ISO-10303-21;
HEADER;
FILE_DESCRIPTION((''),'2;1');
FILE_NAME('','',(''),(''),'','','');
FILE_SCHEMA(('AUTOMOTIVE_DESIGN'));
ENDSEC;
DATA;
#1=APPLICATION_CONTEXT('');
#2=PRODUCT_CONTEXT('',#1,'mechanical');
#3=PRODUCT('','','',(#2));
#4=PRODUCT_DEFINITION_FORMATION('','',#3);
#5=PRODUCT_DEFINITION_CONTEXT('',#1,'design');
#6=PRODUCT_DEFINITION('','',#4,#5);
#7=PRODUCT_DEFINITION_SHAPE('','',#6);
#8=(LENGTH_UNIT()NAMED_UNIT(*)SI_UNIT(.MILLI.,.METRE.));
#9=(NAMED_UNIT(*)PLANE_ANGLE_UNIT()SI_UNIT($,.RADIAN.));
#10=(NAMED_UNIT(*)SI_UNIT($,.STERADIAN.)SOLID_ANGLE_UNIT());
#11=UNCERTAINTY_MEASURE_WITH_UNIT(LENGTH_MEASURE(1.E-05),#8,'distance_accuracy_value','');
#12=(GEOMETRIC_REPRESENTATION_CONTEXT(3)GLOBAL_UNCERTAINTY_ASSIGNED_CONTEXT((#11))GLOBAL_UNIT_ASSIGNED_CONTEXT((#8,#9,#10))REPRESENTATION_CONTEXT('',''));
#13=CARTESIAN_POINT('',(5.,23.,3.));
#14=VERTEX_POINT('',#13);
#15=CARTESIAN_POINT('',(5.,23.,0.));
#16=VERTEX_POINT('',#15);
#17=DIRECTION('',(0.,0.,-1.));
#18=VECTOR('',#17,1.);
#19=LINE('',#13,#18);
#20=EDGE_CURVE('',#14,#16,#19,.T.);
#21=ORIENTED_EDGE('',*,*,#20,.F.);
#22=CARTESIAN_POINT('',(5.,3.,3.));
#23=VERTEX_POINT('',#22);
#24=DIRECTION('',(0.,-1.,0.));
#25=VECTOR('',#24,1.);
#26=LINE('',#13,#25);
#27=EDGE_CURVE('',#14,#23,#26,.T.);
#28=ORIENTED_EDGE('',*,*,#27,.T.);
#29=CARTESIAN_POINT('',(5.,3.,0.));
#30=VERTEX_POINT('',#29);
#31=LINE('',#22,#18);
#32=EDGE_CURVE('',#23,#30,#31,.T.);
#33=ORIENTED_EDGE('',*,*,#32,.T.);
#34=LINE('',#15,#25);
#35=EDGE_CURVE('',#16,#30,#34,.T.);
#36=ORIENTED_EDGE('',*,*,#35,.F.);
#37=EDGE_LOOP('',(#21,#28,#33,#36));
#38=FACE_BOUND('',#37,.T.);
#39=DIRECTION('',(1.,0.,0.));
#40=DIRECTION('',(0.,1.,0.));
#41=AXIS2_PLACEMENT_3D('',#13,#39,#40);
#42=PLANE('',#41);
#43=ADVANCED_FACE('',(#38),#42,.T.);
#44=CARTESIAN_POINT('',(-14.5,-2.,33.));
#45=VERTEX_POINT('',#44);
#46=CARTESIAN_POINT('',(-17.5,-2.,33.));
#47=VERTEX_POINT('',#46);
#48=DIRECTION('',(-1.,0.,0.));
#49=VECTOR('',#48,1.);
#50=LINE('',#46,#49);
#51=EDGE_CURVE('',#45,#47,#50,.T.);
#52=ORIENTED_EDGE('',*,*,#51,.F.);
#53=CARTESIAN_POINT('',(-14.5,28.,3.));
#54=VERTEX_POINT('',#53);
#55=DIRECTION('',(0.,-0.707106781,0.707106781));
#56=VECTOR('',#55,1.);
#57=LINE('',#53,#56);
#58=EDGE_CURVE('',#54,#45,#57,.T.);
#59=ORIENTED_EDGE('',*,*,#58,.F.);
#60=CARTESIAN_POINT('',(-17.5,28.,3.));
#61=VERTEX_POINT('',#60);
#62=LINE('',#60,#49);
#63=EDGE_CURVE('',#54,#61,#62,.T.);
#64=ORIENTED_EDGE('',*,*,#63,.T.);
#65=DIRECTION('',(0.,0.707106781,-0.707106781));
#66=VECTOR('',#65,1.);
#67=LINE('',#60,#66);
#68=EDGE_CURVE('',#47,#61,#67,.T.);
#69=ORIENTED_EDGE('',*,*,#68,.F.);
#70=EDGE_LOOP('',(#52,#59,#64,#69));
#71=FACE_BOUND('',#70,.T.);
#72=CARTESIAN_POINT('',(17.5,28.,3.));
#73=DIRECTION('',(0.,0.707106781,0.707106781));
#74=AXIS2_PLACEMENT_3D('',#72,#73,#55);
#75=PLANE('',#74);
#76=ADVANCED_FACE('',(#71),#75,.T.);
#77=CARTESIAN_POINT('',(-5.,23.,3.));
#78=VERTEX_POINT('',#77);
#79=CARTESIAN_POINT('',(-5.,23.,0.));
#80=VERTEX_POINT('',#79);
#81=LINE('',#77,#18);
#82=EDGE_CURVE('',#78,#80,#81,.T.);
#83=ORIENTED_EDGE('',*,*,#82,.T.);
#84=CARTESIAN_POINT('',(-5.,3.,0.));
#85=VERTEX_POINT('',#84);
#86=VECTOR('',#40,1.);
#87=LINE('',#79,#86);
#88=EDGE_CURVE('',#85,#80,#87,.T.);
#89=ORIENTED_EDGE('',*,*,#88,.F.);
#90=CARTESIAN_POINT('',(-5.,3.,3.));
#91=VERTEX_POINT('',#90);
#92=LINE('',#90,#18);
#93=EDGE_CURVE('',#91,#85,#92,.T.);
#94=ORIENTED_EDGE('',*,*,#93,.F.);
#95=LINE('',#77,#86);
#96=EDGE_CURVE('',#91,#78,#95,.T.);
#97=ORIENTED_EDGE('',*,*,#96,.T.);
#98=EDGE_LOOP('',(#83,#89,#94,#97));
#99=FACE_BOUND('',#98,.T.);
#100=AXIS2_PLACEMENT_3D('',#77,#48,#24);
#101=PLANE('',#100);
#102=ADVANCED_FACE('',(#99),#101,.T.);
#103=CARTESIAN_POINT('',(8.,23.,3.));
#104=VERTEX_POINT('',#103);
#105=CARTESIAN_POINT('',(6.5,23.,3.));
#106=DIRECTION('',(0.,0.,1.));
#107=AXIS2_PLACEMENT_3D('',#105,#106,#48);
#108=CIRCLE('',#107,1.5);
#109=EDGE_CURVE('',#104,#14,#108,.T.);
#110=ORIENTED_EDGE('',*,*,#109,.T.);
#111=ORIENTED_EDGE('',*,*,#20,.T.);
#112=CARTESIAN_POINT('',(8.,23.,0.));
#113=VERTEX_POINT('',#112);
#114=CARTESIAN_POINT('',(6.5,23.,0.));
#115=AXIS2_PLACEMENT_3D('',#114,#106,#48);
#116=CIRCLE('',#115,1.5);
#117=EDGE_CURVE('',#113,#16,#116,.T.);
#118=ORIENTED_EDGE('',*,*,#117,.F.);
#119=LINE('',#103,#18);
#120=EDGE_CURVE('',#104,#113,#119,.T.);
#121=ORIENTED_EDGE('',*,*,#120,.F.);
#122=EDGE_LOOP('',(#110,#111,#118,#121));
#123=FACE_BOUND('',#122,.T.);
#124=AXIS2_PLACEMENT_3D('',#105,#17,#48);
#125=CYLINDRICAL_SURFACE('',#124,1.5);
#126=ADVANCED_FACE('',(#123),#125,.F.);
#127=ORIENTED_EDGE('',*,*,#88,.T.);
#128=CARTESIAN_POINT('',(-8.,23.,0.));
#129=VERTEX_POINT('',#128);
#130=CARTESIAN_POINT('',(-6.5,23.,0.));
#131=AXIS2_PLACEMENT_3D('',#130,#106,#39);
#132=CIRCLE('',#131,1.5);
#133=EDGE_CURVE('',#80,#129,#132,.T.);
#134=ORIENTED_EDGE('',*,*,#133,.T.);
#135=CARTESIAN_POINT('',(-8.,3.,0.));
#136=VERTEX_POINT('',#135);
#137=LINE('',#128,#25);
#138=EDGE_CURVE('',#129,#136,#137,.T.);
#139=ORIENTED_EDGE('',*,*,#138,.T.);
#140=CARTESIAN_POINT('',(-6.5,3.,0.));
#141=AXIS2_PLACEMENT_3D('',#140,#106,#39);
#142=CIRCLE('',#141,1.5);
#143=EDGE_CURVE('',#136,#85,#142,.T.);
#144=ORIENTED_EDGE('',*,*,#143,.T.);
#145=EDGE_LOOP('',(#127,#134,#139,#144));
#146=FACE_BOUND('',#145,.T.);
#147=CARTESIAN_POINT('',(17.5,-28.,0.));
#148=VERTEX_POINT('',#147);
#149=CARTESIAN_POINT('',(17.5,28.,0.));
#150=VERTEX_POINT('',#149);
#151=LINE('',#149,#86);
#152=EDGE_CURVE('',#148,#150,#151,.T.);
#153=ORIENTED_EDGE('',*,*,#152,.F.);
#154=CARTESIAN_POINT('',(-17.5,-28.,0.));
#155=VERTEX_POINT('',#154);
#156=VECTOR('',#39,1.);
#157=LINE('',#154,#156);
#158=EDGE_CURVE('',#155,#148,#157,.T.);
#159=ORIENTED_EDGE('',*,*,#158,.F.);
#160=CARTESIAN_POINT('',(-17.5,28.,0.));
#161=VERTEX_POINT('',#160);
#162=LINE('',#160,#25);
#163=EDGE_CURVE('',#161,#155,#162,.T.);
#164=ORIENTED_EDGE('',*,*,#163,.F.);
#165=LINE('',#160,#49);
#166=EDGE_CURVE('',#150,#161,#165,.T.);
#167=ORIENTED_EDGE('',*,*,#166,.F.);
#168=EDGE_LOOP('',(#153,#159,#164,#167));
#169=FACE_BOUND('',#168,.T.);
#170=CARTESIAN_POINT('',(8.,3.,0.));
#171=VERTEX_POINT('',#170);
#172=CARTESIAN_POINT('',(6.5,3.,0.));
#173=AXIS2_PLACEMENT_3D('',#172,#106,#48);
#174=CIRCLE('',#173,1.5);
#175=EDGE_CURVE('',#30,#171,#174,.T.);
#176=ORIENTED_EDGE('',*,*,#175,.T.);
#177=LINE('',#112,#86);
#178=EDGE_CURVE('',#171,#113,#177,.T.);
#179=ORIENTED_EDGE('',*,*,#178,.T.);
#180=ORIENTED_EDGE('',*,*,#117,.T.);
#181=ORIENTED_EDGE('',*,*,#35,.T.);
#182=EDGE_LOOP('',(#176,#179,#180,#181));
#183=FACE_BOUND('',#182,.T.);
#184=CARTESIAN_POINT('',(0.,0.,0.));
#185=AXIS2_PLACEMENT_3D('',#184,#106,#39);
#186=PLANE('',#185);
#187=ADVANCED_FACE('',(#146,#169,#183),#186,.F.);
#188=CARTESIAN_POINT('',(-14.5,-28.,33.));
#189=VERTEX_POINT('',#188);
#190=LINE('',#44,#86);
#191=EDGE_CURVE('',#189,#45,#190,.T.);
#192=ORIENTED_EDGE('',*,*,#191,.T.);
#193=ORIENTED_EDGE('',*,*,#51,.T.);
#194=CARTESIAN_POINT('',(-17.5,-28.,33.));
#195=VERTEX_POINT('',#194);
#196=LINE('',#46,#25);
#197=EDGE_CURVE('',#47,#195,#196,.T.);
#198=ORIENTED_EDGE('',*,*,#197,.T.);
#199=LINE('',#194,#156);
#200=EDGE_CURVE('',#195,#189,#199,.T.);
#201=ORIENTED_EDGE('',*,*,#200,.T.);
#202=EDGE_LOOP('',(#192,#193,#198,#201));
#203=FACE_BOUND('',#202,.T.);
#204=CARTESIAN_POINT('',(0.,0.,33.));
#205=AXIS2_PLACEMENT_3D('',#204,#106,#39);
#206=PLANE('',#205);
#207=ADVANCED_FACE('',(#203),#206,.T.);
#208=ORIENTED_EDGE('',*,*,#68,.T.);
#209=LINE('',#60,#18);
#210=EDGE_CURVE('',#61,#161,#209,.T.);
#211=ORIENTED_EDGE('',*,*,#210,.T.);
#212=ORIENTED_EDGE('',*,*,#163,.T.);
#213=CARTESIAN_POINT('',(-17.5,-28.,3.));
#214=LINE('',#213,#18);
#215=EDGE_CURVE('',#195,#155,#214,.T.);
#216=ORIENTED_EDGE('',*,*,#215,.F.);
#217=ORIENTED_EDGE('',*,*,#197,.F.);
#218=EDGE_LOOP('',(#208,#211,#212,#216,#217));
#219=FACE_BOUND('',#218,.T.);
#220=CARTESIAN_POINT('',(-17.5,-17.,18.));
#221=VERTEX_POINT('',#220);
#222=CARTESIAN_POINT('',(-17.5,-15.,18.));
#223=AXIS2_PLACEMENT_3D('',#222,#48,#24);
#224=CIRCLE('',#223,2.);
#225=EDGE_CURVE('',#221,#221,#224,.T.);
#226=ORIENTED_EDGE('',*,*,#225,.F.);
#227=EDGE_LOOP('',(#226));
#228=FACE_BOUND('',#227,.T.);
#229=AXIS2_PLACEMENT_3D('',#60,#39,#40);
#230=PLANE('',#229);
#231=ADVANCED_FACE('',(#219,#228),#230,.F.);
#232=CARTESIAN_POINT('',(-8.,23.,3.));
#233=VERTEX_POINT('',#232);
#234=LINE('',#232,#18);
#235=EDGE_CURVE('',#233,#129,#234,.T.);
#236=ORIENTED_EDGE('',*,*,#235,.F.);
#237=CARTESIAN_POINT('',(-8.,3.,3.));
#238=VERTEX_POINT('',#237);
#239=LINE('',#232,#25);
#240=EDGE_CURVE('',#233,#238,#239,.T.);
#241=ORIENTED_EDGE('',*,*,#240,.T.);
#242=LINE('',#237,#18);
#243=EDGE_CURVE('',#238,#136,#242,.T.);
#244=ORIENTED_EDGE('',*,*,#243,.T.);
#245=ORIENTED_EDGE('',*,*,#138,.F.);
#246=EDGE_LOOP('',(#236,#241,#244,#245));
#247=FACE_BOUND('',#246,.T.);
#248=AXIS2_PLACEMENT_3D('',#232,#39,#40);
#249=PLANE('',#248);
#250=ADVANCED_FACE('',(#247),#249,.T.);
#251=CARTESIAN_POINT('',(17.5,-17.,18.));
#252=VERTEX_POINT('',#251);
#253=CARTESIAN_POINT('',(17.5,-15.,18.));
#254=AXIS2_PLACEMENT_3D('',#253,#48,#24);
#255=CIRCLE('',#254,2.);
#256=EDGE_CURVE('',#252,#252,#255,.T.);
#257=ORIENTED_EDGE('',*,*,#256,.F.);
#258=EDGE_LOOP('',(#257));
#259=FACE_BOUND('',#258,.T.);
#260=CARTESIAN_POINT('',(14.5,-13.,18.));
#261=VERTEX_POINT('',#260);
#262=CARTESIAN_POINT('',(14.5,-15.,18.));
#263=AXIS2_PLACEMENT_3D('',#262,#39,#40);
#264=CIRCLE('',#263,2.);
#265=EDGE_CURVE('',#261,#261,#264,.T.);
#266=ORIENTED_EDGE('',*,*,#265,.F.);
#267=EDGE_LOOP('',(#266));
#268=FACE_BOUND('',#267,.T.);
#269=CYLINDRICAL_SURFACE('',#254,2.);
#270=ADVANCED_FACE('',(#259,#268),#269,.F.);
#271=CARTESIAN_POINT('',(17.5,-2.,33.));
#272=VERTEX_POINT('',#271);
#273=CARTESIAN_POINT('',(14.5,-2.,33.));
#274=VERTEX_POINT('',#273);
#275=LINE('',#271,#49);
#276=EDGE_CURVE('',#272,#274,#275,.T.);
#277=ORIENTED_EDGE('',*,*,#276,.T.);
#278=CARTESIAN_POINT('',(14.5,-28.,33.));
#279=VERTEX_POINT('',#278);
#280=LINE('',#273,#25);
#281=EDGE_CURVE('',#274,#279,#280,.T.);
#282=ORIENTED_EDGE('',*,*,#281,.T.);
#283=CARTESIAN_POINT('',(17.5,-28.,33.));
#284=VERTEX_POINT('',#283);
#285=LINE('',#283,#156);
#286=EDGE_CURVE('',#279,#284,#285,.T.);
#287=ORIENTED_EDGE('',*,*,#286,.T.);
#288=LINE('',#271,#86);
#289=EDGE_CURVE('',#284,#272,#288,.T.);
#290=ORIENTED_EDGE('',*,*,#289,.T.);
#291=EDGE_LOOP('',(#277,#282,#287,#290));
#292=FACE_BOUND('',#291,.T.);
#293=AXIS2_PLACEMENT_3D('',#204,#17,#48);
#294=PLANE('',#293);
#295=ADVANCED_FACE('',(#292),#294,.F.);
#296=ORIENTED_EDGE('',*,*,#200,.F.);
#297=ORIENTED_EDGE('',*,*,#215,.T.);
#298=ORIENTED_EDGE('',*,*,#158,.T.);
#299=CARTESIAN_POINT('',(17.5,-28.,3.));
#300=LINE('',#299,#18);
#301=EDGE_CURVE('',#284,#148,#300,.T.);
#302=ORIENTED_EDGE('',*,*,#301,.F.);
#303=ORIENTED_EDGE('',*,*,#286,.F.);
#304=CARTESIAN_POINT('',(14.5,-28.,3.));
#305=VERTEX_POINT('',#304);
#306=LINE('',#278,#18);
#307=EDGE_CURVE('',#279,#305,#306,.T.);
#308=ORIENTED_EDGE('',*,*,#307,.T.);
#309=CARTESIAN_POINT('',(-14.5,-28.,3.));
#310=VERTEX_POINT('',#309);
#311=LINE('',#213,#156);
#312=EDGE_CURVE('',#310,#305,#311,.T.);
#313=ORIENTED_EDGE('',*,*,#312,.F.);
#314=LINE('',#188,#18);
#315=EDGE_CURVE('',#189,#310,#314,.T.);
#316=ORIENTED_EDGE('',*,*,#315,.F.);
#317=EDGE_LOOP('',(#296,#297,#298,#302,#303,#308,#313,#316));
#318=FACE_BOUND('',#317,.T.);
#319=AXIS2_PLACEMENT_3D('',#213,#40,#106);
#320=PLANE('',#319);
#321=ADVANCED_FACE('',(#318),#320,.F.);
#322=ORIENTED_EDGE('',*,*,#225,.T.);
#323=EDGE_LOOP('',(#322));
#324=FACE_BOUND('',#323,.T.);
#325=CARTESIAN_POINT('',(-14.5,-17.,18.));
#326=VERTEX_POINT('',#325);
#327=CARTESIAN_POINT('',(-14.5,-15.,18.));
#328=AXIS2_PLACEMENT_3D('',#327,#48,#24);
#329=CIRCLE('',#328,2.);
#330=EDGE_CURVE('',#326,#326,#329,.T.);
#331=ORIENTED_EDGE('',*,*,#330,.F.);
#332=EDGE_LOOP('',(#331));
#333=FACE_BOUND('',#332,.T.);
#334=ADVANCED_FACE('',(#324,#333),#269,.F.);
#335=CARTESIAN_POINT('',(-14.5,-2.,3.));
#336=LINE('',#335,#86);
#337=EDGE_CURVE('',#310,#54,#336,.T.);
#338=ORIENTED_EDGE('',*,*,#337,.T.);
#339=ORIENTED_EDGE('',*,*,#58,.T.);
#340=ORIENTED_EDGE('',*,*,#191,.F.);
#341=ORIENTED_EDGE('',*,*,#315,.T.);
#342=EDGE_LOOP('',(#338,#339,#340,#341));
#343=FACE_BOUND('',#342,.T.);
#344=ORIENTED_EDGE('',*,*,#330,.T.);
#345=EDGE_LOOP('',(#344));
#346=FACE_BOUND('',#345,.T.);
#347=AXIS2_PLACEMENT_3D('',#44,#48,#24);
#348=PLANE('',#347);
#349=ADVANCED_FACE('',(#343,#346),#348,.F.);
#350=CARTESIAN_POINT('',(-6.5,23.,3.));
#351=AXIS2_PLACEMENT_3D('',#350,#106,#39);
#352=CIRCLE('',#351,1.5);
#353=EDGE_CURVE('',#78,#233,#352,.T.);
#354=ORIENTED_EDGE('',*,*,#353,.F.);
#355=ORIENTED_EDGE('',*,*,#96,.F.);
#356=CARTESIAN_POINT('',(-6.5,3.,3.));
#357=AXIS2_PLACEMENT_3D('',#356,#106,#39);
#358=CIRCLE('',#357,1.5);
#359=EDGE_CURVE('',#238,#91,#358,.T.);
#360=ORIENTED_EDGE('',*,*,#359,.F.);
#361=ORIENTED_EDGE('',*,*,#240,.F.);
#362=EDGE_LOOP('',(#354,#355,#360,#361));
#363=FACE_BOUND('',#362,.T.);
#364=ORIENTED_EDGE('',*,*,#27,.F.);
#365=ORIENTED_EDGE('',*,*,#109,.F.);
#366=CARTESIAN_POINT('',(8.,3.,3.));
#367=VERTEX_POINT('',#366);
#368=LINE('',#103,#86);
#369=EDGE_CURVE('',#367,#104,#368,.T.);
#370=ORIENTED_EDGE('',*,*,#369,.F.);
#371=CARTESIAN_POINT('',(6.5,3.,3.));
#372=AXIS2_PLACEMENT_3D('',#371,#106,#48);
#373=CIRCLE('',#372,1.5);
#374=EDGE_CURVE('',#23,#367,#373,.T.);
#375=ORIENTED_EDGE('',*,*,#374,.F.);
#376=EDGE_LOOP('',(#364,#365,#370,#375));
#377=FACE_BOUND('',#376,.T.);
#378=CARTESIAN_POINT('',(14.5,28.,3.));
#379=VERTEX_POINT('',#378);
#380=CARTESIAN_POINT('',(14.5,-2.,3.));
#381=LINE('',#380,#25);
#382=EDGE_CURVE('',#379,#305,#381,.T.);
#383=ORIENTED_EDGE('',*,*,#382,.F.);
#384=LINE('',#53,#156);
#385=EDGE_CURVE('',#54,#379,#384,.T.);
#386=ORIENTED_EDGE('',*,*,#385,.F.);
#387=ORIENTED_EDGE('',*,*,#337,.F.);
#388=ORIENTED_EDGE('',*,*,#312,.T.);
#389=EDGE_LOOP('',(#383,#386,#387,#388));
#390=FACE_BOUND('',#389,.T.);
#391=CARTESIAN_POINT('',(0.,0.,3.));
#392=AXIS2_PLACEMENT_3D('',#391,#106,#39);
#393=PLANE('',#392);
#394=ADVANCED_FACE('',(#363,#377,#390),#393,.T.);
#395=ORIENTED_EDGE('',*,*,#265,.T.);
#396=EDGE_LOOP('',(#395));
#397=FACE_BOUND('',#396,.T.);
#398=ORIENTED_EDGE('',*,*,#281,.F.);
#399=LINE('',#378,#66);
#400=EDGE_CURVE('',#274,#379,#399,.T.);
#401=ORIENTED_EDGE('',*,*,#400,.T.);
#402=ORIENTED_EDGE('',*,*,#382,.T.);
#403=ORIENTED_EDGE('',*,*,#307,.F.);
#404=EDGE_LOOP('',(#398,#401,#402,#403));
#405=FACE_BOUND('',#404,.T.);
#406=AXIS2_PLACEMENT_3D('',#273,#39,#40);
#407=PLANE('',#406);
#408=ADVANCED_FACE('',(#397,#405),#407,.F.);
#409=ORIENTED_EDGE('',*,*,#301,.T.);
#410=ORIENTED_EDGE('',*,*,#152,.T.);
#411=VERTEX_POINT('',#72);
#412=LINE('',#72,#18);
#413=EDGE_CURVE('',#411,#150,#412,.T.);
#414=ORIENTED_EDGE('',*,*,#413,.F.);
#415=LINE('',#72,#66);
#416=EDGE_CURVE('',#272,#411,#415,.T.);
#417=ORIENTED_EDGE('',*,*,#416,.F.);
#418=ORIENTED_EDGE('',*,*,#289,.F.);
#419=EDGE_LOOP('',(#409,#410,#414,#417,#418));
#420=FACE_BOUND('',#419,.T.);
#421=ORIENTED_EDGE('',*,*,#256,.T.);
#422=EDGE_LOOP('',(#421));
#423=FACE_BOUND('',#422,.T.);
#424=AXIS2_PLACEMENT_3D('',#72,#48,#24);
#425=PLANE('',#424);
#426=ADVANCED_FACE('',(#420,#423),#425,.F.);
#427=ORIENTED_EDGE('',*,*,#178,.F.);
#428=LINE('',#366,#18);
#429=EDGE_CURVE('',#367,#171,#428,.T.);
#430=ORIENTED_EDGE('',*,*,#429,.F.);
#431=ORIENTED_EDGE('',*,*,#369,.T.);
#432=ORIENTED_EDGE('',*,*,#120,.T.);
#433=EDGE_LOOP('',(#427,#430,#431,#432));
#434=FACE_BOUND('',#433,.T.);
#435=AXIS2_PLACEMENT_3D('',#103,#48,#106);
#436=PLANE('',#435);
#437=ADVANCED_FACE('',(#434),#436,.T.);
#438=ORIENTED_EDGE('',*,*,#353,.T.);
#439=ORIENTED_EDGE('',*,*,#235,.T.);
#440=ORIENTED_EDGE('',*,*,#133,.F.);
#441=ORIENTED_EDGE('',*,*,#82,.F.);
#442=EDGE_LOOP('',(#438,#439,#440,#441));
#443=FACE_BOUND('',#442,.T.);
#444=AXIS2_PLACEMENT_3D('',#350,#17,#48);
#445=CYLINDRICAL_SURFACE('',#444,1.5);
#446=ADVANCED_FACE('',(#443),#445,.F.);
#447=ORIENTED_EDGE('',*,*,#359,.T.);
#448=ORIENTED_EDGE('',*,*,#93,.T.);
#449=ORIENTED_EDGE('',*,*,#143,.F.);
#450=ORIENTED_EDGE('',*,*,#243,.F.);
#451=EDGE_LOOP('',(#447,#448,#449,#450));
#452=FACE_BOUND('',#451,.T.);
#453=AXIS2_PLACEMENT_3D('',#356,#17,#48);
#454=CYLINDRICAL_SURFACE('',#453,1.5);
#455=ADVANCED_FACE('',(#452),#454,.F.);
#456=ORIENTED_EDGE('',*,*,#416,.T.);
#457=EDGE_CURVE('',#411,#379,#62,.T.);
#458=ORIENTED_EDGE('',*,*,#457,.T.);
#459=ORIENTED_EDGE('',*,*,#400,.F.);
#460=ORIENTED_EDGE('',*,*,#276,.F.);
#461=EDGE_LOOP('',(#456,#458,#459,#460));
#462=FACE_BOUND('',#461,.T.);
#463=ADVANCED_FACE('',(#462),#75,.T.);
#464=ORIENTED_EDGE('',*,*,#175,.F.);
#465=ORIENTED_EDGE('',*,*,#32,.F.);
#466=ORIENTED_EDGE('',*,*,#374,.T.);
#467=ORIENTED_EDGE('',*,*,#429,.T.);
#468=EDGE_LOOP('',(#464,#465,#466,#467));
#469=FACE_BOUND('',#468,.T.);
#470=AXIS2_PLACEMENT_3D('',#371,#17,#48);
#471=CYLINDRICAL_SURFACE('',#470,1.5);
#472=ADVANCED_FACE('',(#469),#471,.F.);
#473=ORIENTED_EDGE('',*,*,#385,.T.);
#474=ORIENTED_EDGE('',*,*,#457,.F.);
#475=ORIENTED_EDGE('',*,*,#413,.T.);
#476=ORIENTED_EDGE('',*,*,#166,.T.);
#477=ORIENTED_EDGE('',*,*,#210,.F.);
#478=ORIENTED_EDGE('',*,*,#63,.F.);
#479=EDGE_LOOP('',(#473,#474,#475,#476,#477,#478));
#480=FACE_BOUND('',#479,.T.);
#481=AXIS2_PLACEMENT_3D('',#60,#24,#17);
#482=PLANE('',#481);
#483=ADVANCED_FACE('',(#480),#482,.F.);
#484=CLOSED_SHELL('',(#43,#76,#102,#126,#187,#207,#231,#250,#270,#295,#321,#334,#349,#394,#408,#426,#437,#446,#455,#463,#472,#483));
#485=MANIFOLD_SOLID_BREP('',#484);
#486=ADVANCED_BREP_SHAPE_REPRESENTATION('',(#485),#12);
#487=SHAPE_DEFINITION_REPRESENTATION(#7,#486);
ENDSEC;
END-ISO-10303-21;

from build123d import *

# Parameters (mm, degrees)
SKETCH1_W               = 35
SKETCH1_H               = 56
BOSS_EXTRUDE1_DEPTH     = 3
SKETCH2_W               = 3
SKETCH2_H               = 26
BOSS_EXTRUDE2_DEPTH     = 30
SKETCH4_R               = 2
CUT_EXTRUDE1_DEPTH      = 33
CUT_EXTRUDE1_DEPTH_BACK = 4
BOSS_EXTRUDE3_DEPTH     = 35
SKETCH6_W               = 29
SKETCH6_H               = 30
CUT_EXTRUDE2_DEPTH      = 30


with BuildPart() as part:
    # Sketch1 → Boss-Extrude1 (new body)
    with BuildSketch(Plane.XY):
        Rectangle(SKETCH1_W, SKETCH1_H)
        with BuildLine():
            Line((-5, 23), (-5, 3))
            ThreePointArc((-5, 3), (-6.5, 1.5), (-8, 3))
            Line((-8, 3), (-8, 23))
            ThreePointArc((-8, 23), (-6.5, 24.5), (-5, 23))
        make_face(mode=Mode.SUBTRACT)
        with BuildLine():
            Line((5, 23), (5, 3))
            ThreePointArc((5, 3), (6.5, 1.5), (8, 3))
            Line((8, 3), (8, 23))
            ThreePointArc((8, 23), (6.5, 24.5), (5, 23))
        make_face(mode=Mode.SUBTRACT)
    extrude(amount=BOSS_EXTRUDE1_DEPTH)

    # Sketch2 → Boss-Extrude2 (add)
    with BuildSketch(Plane.XY.offset(3)):
        with Locations((-16, -15)):
            Rectangle(SKETCH2_W, SKETCH2_H)
        with Locations((16, -15)):
            Rectangle(SKETCH2_W, SKETCH2_H)
    extrude(amount=BOSS_EXTRUDE2_DEPTH)

    # Sketch4 → Cut-Extrude1 (cut, two sides)
    with BuildSketch(Plane.ZY.offset(-14.5)) as cut_extrude1_sk:
        with Locations((18, -15)):
            Circle(SKETCH4_R)
    extrude(amount=CUT_EXTRUDE1_DEPTH, mode=Mode.SUBTRACT)
    extrude(cut_extrude1_sk.sketch, amount=-CUT_EXTRUDE1_DEPTH_BACK, mode=Mode.SUBTRACT)

    # Sketch5 → Boss-Extrude3 (add, through all)
    with BuildSketch(Plane.ZY.offset(17.5)):
        Polygon((3, 28), (33, -2), (3, -2), align=None)
    extrude(amount=-BOSS_EXTRUDE3_DEPTH)

    # Sketch6 → Cut-Extrude2 (cut)
    with BuildSketch(Plane.XY.offset(33)):
        with Locations((0, 13)):
            Rectangle(SKETCH6_W, SKETCH6_H)
    extrude(amount=-CUT_EXTRUDE2_DEPTH, mode=Mode.SUBTRACT)


solid = part.part
